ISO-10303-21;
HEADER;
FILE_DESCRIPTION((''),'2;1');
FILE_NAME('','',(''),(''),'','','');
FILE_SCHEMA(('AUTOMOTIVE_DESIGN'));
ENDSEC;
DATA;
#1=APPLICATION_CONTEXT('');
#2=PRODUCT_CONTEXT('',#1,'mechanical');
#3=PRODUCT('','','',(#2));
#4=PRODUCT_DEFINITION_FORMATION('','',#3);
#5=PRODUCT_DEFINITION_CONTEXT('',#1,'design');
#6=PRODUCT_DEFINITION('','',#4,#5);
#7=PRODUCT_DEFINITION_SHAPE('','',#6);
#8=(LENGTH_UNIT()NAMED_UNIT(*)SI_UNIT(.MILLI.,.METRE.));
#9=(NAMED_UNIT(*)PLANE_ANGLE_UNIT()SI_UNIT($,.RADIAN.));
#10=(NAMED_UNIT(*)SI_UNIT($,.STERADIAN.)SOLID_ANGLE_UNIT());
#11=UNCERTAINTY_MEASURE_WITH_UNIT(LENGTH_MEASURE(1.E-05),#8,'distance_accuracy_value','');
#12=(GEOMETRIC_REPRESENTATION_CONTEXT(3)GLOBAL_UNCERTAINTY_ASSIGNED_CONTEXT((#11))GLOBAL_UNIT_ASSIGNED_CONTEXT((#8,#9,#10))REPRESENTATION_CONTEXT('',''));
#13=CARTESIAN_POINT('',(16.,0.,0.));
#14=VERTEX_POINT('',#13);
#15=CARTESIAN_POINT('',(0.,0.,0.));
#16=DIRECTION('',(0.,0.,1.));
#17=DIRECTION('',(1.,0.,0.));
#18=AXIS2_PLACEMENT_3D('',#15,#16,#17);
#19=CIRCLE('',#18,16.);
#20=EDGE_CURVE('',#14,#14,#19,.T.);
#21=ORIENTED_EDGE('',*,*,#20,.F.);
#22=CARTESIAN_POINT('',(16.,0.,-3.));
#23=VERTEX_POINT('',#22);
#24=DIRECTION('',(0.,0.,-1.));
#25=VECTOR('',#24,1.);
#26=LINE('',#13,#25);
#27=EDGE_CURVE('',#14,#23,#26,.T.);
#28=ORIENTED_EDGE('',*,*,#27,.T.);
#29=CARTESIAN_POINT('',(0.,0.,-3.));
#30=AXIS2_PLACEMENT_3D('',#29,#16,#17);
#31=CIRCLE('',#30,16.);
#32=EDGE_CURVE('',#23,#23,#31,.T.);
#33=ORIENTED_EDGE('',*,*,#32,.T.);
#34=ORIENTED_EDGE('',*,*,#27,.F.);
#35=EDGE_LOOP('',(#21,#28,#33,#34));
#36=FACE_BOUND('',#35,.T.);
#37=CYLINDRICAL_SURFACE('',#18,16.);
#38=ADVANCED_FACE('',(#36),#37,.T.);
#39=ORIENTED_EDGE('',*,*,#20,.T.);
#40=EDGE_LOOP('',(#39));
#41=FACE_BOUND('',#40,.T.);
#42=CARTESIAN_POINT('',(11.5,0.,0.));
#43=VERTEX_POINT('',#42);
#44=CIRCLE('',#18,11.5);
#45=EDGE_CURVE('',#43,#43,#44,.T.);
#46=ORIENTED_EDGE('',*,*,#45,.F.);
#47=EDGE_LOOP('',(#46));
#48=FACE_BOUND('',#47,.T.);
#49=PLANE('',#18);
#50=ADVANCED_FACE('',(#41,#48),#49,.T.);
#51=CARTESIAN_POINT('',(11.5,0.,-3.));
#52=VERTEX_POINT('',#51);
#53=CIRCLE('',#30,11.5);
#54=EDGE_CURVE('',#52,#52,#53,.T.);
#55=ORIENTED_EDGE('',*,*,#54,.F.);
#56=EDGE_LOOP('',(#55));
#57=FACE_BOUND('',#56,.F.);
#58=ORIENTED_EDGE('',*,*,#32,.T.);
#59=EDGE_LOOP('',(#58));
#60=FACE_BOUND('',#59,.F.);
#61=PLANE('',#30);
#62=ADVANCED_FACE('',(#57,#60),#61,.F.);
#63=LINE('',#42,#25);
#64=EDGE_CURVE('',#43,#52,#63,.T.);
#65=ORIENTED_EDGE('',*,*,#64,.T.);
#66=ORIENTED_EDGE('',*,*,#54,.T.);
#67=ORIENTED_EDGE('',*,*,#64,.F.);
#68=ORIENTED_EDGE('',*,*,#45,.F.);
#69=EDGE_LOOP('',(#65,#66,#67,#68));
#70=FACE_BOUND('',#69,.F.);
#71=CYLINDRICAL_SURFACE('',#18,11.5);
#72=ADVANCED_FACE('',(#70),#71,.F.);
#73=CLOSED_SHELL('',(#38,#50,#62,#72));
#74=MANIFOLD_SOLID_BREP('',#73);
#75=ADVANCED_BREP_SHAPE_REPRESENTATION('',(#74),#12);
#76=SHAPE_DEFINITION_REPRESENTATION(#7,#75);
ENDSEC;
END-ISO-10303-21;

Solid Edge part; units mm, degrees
sketch "Sketch1" plane through (0, 0, 0) normal (0, 0, 1) x (1, 0, 0)
  circle A0 centre (0, 0) radius 16
  circle A1 centre (0, 0) radius 11.5
extrude "Protrusion1" add sketch "Sketch1" against normal blind 3
properties material "Q235"
